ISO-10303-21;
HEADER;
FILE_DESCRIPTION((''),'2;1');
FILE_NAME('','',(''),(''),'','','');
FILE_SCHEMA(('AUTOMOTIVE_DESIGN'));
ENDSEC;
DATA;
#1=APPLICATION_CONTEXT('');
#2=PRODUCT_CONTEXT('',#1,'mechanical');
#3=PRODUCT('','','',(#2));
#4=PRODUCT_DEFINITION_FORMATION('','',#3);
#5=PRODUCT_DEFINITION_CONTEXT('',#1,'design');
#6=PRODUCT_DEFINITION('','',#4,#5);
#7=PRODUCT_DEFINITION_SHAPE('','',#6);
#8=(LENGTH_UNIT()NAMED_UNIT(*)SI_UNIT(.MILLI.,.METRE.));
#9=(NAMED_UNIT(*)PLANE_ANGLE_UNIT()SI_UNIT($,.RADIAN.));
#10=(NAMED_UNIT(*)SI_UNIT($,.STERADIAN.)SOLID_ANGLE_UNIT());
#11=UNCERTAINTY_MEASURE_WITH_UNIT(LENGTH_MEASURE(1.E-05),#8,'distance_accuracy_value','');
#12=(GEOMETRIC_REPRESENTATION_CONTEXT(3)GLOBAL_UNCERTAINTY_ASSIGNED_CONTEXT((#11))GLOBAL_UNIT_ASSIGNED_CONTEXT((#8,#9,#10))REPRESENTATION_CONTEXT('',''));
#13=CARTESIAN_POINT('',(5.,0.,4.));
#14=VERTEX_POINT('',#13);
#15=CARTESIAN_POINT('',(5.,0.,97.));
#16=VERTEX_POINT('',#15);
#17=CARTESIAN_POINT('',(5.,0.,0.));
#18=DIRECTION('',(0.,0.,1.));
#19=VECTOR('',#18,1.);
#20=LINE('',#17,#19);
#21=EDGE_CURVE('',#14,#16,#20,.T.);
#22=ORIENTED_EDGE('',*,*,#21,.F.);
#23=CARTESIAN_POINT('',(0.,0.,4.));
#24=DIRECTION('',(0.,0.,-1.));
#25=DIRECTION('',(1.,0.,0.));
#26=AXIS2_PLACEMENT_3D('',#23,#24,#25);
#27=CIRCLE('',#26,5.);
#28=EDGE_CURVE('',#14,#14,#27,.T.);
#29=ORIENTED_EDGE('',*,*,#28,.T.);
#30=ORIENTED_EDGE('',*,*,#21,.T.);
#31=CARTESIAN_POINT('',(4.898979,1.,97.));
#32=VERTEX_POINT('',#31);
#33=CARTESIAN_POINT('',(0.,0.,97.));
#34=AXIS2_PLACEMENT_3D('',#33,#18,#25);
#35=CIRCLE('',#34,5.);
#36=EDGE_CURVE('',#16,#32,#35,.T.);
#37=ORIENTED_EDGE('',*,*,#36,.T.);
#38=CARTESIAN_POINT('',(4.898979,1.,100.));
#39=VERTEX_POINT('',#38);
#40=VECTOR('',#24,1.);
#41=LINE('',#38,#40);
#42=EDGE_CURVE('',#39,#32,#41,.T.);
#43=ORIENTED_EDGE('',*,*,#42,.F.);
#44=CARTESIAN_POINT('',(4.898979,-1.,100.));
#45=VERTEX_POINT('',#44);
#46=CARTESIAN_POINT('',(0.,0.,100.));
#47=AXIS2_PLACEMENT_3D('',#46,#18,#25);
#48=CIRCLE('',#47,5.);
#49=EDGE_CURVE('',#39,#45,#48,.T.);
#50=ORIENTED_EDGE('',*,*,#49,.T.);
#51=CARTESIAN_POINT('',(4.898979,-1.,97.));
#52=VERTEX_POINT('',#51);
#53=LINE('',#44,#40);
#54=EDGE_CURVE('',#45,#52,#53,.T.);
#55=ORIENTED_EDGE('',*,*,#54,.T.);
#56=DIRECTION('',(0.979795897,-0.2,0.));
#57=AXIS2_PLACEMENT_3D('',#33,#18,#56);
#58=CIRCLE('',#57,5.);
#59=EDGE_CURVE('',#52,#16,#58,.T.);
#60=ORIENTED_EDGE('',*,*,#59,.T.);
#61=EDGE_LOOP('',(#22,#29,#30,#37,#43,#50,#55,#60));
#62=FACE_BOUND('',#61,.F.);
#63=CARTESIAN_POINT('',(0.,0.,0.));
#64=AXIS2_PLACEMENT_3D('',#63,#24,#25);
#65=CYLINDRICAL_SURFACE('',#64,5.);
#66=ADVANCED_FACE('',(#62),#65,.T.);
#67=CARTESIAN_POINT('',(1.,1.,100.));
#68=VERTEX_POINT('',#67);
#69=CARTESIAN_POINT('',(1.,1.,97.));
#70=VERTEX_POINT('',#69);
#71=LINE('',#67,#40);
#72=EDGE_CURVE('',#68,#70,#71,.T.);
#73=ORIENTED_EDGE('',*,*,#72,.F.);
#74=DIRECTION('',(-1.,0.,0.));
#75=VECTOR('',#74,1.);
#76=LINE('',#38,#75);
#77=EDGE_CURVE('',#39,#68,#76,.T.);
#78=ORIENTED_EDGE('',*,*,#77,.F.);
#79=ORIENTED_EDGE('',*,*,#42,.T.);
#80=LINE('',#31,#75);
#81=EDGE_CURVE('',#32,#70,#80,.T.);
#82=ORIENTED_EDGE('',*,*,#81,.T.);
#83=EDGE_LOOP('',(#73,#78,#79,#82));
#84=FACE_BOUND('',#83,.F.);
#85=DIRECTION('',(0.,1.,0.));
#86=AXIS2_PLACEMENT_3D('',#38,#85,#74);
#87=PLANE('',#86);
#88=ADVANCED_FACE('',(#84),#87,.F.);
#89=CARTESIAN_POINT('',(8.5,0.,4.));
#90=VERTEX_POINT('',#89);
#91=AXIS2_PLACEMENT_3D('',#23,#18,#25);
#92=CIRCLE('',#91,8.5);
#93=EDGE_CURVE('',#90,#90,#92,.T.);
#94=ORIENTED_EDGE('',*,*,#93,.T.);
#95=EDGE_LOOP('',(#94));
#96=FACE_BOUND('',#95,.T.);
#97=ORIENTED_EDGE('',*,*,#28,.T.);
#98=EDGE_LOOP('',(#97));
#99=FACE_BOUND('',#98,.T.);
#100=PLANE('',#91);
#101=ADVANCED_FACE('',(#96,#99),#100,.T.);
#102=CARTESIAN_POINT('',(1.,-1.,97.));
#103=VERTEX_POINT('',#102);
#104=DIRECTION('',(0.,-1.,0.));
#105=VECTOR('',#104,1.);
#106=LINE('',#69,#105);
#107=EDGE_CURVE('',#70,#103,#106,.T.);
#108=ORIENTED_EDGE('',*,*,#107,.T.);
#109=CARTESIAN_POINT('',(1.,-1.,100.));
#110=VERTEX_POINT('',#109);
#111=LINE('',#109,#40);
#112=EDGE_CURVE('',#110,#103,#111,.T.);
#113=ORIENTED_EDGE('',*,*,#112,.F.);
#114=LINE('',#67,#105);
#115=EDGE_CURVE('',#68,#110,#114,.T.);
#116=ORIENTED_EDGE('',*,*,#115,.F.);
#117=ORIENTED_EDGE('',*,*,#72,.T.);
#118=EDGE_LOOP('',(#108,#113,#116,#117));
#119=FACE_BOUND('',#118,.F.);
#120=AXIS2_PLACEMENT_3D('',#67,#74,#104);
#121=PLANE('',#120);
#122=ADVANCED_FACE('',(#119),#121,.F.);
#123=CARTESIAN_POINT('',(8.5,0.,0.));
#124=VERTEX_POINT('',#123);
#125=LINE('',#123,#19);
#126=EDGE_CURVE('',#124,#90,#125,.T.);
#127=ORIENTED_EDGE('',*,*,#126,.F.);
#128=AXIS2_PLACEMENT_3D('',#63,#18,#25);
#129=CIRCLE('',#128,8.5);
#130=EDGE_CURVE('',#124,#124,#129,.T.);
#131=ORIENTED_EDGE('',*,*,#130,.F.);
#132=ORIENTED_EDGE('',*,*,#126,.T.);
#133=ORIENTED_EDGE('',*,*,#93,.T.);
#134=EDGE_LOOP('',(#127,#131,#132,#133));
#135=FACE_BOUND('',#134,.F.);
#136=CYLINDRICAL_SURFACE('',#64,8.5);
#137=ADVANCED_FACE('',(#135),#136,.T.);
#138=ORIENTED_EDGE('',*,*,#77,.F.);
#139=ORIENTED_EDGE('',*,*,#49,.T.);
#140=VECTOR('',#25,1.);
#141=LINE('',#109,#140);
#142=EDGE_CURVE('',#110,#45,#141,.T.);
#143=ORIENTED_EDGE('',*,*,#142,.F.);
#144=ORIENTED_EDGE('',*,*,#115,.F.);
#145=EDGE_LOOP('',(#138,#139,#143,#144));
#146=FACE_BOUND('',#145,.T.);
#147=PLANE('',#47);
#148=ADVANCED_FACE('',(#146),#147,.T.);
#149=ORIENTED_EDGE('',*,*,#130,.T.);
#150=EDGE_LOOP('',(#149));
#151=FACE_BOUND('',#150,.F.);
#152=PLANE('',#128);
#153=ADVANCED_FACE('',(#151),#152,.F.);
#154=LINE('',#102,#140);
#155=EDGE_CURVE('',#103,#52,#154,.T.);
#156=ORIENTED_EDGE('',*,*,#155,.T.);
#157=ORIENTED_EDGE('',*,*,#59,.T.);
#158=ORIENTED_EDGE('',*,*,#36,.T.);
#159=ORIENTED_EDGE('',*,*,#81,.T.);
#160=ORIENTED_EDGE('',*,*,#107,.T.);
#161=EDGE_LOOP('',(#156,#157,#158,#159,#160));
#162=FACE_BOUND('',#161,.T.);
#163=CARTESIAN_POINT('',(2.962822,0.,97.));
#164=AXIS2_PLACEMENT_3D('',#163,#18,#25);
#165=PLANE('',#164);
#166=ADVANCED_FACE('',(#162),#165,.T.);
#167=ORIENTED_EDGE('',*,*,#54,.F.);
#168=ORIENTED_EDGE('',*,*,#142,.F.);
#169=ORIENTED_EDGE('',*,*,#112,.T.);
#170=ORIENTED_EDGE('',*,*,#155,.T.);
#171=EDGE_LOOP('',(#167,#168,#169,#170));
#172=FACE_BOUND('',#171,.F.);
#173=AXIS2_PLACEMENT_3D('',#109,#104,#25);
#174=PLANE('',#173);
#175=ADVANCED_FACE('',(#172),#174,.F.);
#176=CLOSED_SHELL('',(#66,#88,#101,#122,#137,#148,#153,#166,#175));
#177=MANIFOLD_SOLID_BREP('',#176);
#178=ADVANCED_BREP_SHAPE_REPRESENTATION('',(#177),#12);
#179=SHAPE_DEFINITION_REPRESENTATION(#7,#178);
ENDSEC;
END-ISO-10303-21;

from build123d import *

# Parameters (mm, degrees)
F0_R     = 8.5
F1_DEPTH = 4
F2_R     = 5
F3_DEPTH = 100
F5_DEPTH = 3


with BuildPart() as f1:
    # F0 (on Top) → F1 (new body)
    with BuildSketch(Plane.XY):
        Circle(F0_R)
    extrude(amount=F1_DEPTH)

    # F2 (on Top) → F3 (join)
    with BuildSketch(Plane.XY):
        Circle(F2_R)
    extrude(amount=F3_DEPTH)

    # F4 (on face) → F5 (cut)
    with BuildSketch(Plane.XY.offset(100)):
        with BuildLine():
            Line((4.8989794856, 1), (1, 1))
            Line((1, 1), (1, -1))
            Line((1, -1), (4.8989794856, -1))
            ThreePointArc((4.8989794856, -1), (4.974680765, -0.50254481), (5, 0))
            ThreePointArc((5, 0), (4.974680765, 0.50254481), (4.8989794856, 1))
        make_face()
    extrude(amount=-F5_DEPTH, mode=Mode.SUBTRACT)


solid = f1.part
